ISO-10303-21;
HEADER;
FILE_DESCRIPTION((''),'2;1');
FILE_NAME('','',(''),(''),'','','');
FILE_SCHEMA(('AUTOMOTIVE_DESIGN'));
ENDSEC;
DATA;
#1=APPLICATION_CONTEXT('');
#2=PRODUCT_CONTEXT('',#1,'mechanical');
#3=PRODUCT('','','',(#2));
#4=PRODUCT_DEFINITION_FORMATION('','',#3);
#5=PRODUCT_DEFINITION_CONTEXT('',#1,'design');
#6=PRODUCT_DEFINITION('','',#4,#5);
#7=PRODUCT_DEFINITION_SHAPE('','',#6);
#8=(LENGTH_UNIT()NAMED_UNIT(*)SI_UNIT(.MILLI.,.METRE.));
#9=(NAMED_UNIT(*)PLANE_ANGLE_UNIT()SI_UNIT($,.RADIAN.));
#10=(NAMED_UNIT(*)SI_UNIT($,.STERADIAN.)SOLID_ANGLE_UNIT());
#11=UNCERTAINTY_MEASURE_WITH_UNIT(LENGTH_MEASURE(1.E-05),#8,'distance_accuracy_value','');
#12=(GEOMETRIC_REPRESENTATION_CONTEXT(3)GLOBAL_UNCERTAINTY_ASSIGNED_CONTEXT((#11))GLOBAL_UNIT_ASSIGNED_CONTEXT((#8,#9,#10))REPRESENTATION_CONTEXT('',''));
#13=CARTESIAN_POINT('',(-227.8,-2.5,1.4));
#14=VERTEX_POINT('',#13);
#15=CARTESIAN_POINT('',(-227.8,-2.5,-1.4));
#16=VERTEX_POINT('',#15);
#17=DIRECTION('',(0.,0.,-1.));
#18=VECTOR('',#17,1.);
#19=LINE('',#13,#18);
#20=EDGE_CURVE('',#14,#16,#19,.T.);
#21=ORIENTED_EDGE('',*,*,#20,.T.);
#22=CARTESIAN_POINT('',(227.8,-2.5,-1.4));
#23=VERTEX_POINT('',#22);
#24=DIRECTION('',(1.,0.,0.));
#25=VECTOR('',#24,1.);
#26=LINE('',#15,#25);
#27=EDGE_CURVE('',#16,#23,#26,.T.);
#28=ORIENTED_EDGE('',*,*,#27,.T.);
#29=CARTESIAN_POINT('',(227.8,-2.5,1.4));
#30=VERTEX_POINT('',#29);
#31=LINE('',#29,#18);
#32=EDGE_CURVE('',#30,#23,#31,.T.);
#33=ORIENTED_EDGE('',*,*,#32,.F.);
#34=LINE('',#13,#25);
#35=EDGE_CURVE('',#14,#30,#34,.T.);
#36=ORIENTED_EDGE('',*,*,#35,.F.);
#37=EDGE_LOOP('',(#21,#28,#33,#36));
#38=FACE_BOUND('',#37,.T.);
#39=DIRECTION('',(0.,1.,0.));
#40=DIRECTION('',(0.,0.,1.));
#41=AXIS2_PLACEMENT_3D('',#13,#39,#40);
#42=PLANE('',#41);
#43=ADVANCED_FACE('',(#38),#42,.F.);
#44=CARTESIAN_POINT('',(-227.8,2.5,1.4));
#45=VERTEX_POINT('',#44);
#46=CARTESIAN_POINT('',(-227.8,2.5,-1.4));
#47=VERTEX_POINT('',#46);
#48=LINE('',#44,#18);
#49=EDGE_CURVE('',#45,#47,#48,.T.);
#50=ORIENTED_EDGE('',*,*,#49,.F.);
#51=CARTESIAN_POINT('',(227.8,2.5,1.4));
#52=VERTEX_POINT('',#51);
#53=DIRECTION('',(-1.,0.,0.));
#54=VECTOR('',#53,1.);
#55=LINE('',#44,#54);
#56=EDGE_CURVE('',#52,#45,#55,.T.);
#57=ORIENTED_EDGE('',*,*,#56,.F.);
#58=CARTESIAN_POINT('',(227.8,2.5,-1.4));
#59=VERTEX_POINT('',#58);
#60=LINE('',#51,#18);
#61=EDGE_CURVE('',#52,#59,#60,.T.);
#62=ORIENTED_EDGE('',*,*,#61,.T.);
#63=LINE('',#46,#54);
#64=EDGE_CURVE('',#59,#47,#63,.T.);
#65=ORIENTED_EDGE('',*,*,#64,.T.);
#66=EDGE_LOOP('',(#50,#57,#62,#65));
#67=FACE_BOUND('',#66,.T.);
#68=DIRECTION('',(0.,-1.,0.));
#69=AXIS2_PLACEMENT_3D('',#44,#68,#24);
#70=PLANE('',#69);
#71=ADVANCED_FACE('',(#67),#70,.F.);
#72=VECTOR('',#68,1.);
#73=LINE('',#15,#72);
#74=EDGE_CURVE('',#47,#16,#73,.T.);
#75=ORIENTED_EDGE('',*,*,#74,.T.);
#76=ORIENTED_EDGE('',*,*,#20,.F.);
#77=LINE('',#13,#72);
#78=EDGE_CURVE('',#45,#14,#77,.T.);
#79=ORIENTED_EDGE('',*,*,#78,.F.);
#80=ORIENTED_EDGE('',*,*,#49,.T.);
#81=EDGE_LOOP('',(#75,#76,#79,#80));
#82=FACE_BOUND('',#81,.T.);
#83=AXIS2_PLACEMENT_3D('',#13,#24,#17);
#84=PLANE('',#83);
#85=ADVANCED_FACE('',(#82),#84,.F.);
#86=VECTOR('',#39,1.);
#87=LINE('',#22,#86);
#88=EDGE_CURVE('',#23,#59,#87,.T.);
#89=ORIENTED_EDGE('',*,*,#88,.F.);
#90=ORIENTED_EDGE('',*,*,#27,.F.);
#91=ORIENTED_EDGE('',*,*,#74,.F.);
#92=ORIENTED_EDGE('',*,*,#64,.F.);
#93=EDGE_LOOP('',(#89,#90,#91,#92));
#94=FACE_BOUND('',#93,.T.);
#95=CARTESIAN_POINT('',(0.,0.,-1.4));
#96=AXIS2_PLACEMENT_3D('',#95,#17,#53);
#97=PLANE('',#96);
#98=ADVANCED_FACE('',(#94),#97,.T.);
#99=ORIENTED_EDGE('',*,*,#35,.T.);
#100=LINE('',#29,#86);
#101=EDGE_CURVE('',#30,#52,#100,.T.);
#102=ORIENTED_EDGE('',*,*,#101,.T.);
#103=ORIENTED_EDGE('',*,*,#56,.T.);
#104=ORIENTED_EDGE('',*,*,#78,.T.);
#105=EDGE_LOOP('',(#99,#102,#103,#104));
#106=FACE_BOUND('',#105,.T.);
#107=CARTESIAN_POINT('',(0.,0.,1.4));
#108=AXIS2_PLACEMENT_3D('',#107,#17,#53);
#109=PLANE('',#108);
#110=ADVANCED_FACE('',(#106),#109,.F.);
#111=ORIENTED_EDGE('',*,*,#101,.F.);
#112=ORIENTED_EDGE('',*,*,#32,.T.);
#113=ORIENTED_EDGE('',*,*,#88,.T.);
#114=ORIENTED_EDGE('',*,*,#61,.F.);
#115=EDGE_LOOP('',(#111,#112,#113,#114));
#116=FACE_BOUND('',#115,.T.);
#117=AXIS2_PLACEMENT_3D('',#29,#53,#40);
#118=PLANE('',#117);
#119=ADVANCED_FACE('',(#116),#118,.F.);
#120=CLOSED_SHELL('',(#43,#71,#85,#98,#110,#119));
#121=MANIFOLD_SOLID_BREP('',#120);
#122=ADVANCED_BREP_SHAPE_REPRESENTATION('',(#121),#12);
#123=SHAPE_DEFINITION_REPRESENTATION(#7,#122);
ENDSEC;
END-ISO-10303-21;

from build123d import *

# Parameters (mm, degrees)
SKETCH_2_W      = 455.6
SKETCH_2_H      = 5
EXTRUDE_1_DEPTH = 1.4


with BuildPart() as part:
    # Эскиз2 → Бобышка-Вытянуть1 (new, symmetric)
    with BuildSketch(Plane.XY):
        Rectangle(SKETCH_2_W, SKETCH_2_H)
    extrude(amount=EXTRUDE_1_DEPTH, both=True)


solid = part.part
